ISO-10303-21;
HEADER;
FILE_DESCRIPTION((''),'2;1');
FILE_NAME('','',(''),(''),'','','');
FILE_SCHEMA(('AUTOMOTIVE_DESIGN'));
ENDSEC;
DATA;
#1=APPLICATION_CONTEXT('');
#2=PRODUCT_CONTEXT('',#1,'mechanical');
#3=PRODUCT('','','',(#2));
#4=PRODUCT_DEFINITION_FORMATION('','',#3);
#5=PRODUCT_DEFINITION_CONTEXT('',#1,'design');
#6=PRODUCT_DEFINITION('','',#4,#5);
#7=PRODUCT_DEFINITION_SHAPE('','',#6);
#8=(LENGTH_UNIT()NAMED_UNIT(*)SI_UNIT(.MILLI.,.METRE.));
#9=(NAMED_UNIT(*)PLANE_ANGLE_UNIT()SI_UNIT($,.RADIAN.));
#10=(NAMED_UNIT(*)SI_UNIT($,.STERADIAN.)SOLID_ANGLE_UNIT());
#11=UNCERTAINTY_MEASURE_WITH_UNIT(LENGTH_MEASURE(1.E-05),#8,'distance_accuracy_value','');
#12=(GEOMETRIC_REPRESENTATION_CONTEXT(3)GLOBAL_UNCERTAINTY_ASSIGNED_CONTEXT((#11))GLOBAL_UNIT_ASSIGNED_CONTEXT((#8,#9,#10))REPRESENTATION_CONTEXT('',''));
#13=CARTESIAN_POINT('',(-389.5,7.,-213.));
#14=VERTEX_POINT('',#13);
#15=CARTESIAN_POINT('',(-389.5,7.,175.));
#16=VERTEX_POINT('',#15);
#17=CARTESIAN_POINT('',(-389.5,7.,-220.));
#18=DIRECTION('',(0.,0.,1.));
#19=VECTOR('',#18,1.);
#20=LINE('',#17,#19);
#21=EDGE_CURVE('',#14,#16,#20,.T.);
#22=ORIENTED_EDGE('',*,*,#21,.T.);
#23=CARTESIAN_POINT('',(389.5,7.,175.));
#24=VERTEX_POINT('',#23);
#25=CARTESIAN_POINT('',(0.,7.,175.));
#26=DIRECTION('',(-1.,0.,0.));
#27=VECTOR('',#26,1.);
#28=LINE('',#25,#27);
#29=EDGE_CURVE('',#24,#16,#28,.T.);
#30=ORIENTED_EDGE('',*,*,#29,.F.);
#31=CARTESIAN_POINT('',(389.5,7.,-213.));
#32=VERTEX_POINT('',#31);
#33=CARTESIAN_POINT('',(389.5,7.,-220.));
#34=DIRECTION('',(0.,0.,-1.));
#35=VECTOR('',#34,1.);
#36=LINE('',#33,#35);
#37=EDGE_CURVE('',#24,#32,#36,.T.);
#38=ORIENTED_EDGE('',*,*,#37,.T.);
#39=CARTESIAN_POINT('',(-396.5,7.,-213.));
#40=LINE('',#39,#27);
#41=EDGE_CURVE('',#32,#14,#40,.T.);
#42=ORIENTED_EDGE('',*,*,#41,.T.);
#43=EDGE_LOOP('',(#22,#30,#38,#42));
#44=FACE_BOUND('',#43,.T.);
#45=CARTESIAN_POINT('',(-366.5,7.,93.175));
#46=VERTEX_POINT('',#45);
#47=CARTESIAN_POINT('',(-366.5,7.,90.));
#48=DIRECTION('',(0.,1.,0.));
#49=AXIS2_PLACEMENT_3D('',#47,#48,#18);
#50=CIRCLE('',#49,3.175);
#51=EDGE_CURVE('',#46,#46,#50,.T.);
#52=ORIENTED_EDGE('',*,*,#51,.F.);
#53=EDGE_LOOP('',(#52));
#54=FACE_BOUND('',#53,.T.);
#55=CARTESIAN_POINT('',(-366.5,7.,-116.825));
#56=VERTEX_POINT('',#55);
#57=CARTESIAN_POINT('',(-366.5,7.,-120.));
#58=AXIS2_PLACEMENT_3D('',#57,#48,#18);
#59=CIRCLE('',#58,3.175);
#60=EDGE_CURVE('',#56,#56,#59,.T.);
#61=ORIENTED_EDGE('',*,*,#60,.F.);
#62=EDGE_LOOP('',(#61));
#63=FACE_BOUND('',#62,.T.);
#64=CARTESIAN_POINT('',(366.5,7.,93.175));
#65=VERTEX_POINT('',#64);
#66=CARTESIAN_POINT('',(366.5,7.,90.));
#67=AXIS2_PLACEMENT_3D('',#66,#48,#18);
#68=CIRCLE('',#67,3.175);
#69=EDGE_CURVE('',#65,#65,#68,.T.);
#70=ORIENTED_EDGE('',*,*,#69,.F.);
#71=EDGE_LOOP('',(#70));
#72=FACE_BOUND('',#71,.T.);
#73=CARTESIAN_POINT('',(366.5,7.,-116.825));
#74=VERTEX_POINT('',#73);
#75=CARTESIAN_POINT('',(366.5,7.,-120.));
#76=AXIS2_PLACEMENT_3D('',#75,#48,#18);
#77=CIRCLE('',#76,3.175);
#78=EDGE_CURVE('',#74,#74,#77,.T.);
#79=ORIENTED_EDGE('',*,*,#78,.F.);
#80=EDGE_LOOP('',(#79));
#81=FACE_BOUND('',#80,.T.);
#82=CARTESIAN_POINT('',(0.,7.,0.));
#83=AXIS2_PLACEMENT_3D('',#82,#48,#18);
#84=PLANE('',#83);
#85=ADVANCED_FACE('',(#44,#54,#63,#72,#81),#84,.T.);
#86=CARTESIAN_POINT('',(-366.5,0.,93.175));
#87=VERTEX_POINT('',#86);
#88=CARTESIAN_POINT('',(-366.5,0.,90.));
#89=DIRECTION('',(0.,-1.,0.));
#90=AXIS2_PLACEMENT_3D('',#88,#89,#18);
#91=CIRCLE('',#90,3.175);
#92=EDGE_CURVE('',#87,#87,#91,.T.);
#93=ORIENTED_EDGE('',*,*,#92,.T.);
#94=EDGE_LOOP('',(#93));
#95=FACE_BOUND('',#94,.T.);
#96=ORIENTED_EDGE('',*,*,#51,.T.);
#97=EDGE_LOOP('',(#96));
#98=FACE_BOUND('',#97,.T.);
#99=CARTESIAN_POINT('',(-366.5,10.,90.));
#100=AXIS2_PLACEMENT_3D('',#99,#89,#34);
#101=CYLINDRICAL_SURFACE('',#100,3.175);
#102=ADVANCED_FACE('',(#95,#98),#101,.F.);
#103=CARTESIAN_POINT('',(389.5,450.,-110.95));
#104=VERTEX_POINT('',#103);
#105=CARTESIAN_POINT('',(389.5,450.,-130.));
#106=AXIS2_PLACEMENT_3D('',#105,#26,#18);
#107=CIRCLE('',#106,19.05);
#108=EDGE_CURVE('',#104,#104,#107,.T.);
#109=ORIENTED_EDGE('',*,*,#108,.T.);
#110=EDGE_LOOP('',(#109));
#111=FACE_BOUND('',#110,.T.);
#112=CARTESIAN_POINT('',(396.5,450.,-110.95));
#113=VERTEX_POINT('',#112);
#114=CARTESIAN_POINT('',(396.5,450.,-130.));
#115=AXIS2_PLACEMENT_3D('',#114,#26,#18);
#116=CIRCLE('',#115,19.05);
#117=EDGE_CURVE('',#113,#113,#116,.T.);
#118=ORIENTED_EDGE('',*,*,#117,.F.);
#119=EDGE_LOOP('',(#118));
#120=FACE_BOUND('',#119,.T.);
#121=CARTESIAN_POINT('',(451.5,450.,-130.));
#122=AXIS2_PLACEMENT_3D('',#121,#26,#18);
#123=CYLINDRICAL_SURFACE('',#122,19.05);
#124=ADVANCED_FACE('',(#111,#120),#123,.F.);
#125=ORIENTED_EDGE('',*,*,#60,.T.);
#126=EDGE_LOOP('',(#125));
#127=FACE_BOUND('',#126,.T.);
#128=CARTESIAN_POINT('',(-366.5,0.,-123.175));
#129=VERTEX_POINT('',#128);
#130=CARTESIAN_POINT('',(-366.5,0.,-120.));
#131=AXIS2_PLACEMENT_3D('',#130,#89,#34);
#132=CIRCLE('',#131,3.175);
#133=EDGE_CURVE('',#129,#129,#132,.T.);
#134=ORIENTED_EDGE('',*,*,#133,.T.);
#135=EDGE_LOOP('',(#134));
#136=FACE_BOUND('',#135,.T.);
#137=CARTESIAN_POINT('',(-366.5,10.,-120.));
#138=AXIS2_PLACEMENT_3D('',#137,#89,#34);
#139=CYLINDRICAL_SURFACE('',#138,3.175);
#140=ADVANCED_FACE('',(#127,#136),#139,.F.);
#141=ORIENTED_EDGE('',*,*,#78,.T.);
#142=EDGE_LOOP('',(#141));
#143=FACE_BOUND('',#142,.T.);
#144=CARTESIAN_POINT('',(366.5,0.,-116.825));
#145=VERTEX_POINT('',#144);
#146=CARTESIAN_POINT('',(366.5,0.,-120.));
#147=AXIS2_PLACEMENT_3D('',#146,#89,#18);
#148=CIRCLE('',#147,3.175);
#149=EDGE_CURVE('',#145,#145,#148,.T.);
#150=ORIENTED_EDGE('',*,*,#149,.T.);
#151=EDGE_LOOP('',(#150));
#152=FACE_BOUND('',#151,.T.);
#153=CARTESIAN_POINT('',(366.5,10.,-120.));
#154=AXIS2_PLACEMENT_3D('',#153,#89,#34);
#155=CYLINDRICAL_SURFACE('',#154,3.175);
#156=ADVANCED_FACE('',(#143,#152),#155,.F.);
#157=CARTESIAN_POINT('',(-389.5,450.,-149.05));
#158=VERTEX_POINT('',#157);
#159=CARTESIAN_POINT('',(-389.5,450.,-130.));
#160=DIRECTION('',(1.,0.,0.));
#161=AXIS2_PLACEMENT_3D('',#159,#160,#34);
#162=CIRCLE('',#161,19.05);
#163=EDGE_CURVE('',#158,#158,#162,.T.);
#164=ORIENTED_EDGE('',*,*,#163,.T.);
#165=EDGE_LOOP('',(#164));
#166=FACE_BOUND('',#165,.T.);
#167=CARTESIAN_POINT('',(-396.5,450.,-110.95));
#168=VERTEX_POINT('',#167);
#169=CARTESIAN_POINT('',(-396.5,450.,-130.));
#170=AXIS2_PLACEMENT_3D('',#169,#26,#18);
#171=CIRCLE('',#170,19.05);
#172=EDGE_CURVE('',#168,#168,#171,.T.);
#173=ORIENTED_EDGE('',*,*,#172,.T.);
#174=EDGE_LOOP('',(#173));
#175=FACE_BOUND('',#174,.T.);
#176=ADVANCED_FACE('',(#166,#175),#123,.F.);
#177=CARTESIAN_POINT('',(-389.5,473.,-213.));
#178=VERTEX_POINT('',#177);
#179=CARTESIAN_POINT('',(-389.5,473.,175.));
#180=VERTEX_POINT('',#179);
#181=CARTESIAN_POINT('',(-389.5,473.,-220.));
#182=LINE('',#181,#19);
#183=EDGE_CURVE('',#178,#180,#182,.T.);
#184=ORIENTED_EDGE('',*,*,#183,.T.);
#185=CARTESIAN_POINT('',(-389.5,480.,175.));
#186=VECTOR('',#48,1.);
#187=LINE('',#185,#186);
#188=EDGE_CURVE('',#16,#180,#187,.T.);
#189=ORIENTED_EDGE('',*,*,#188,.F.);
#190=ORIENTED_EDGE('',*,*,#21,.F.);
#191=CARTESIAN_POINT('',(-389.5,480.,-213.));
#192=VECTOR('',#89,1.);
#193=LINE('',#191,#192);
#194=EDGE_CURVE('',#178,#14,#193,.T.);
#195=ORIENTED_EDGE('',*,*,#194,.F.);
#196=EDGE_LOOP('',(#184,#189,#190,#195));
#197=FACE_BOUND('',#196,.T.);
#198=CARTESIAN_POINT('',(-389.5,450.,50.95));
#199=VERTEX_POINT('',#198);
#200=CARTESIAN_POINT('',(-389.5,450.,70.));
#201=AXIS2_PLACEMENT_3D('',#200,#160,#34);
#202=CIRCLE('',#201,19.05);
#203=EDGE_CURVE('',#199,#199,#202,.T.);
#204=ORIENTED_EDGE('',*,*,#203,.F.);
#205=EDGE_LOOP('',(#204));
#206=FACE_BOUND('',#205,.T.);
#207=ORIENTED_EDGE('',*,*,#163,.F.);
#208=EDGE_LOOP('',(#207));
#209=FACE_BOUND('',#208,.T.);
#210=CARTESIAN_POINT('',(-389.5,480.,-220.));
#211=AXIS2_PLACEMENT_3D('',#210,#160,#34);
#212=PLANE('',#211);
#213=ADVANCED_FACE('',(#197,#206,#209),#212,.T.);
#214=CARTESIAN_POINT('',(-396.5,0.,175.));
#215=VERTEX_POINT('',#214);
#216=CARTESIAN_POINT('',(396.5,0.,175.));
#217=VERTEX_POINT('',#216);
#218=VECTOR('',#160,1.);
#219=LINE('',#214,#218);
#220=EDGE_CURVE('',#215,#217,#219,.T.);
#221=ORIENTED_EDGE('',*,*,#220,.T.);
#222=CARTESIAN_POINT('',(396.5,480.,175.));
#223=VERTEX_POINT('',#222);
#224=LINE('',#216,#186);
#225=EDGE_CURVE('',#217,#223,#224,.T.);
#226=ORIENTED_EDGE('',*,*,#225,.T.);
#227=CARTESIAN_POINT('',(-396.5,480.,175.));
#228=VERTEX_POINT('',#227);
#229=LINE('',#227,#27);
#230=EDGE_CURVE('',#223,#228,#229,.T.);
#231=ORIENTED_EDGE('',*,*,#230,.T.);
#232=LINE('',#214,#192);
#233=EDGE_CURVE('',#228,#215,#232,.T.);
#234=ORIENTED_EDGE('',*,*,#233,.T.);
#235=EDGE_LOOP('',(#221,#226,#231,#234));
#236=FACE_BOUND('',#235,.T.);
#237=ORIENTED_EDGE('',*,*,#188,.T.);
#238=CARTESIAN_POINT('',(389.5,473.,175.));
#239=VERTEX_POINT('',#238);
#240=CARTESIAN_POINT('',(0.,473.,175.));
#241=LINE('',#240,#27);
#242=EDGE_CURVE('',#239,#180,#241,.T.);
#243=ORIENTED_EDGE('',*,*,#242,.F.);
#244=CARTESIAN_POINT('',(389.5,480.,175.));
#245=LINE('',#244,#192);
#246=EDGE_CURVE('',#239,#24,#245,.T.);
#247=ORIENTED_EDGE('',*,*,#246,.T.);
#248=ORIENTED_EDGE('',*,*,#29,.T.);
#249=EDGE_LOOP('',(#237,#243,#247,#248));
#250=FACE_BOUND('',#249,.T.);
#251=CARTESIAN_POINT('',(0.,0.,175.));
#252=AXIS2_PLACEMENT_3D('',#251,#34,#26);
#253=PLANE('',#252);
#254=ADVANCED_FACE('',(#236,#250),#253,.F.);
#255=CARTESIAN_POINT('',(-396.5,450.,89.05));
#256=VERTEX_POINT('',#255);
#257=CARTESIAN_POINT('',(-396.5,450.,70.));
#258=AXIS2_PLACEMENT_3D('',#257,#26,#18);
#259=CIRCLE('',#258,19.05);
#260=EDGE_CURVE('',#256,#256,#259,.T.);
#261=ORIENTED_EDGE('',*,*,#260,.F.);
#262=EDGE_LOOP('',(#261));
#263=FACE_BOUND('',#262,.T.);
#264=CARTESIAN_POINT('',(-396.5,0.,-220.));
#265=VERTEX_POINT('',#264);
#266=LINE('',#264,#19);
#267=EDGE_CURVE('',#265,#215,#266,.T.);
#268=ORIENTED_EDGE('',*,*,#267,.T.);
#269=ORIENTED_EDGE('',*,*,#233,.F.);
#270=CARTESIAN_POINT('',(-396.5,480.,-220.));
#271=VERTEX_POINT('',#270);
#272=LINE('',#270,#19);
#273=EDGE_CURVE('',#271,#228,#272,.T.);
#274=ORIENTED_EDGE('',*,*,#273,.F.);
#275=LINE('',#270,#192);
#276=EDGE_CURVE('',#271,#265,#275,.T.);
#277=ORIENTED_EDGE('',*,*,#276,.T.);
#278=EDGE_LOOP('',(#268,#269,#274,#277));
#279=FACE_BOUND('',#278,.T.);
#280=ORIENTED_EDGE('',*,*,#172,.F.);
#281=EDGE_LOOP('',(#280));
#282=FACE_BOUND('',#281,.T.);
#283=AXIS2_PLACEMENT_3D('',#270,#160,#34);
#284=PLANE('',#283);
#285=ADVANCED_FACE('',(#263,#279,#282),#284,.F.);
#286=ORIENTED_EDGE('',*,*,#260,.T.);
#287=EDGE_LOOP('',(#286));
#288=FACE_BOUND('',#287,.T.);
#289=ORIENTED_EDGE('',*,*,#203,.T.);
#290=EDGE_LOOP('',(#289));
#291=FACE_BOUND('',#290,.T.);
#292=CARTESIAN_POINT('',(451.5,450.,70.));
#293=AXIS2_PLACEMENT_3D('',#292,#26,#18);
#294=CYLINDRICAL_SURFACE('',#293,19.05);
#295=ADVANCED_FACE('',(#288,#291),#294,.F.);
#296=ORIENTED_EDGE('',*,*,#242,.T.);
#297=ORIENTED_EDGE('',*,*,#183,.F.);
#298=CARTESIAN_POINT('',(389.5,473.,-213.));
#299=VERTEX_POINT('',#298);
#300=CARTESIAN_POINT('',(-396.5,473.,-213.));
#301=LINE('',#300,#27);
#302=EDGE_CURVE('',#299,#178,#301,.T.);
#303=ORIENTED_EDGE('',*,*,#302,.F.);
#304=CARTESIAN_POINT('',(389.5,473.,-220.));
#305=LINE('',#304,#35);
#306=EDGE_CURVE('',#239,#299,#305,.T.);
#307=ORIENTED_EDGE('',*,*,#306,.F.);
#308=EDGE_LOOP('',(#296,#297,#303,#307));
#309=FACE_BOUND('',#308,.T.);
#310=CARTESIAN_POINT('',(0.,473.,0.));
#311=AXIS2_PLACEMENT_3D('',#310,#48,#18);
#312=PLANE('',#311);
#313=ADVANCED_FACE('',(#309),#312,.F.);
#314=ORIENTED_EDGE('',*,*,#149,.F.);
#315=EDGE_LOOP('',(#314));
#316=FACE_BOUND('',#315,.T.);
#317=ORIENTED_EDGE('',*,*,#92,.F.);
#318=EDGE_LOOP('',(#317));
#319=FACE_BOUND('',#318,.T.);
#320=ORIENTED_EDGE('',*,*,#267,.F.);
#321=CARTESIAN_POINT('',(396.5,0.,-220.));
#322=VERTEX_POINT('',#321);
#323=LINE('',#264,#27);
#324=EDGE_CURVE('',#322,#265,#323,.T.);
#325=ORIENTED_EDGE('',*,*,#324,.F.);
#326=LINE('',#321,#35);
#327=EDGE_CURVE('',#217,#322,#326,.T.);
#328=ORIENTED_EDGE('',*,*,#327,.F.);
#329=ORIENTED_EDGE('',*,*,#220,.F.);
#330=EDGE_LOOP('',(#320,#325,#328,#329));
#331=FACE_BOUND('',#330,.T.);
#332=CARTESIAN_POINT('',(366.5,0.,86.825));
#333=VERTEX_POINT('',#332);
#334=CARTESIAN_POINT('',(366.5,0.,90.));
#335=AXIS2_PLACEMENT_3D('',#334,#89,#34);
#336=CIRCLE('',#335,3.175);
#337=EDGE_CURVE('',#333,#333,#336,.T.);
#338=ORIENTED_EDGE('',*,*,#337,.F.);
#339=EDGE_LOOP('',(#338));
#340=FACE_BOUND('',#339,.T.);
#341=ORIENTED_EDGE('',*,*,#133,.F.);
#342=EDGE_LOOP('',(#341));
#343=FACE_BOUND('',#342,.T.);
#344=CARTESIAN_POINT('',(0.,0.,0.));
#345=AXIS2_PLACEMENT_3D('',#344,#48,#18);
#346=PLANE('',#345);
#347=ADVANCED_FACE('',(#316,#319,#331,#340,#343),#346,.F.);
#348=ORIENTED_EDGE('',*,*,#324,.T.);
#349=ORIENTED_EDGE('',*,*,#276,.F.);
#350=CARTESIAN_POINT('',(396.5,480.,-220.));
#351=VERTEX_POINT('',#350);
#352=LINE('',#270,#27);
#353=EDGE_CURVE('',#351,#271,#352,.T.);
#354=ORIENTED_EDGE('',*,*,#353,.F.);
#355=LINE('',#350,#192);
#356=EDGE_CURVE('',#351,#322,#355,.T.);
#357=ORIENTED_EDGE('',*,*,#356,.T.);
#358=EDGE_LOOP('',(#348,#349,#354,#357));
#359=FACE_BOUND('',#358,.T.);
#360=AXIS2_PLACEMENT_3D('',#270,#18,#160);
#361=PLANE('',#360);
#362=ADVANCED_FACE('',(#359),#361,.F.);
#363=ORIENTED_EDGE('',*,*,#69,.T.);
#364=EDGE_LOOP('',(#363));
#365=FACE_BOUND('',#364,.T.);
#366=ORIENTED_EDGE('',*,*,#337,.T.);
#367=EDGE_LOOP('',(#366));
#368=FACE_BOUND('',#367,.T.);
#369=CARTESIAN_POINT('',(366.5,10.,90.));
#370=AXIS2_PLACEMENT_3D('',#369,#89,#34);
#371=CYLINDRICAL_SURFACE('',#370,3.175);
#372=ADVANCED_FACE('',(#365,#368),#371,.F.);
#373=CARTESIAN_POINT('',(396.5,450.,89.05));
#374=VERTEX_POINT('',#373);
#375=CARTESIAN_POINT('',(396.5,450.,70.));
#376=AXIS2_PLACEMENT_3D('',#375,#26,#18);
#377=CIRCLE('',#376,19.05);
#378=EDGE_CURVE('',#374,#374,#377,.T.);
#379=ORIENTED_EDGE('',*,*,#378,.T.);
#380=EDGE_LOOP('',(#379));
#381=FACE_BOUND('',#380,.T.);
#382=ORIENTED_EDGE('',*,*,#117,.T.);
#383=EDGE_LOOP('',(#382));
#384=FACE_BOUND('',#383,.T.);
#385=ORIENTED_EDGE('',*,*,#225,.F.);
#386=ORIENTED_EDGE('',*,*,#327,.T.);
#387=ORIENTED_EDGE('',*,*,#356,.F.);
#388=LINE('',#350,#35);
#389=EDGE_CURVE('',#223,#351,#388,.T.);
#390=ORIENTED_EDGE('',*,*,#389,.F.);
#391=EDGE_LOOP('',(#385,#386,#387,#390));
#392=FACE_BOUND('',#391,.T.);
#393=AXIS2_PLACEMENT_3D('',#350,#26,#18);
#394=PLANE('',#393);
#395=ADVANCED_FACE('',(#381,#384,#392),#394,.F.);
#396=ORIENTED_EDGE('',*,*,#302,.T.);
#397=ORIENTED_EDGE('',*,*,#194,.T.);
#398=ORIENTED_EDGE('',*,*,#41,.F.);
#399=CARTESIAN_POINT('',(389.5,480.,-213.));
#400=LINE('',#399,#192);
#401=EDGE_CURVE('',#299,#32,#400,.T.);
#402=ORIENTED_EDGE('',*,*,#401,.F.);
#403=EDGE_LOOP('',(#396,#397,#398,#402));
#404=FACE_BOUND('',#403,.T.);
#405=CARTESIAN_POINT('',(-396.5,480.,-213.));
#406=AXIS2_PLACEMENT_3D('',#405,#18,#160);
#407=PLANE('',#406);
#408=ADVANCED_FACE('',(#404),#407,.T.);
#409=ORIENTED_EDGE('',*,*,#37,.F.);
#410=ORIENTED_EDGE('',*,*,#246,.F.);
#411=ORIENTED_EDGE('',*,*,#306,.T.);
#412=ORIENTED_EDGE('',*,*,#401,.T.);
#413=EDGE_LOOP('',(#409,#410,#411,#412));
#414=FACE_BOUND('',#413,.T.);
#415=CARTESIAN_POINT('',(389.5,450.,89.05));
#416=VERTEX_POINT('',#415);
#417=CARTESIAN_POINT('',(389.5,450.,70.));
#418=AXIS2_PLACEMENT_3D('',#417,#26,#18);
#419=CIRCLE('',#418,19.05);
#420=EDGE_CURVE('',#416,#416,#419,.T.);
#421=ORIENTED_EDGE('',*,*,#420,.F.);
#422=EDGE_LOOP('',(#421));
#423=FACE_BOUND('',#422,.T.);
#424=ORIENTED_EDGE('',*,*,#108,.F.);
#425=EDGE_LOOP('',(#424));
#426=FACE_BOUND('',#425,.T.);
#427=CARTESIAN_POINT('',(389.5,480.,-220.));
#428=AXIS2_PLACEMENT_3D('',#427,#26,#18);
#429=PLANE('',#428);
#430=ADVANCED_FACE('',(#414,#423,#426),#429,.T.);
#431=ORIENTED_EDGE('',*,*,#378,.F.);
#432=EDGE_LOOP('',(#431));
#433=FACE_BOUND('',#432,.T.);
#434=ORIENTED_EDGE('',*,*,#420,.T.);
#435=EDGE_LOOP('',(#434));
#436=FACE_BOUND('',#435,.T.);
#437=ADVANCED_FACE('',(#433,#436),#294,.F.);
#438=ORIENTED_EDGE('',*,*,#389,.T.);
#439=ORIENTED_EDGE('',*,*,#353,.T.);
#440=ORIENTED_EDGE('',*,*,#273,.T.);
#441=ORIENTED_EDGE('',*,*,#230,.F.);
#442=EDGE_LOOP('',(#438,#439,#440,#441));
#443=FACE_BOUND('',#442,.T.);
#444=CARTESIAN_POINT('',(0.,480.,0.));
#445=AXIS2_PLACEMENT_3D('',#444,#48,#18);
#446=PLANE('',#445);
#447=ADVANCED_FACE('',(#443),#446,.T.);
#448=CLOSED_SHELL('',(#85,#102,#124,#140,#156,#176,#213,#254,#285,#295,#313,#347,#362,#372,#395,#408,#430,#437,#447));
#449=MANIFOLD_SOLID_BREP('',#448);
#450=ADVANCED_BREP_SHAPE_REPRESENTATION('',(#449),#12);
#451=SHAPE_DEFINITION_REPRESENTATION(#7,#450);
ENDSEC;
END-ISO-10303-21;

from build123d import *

# Parameters (mm, degrees)
CROQUIS1_W              = 793
CROQUIS1_H              = 440
SALIENTE_EXTRUIR1_DEPTH = 480
VACIADO1_T              = -7
CROQUIS2_R              = 12.7
CORTAR_EXTRUIR1_DEPTH   = 80
CROQUIS3_R              = 6.35
CORTAR_EXTRUIR2_DEPTH   = 10
CROQUIS5_R              = 6.35
CORTAR_EXTRUIR4_DEPTH   = 10
CROQUIS6_R              = 19.05
CORTAR_EXTRUIR5_DEPTH   = 848
CROQUIS8_R              = 12.7
CORTAR_EXTRUIR6_DEPTH   = 10
CROQUIS9_W              = 35.052267511
CROQUIS9_H              = 245.374735938
SALIENTE_EXTRUIR2_DEPTH = 7
CROQUIS15_R             = 3.175
CORTAR_EXTRUIR10_DEPTH  = 10
CROQUIS18_R             = 3.175
CROQUIS18_R_2           = 5.554937391
CORTAR_EXTRUIR12_DEPTH  = 10
CROQUIS19_W             = 793
CROQUIS19_H             = 480
CORTAR_EXTRUIR13_DEPTH  = 45
CROQUIS20_W             = 40.222844752
CROQUIS20_H             = 335.190372933
SALIENTE_EXTRUIR3_DEPTH = 7
CROQUIS22_W             = 754.715939893
CROQUIS22_H             = 447.32434432
SALIENTE_EXTRUIR4_DEPTH = 7


with BuildPart() as part:
    # Croquis1 → Saliente-Extruir1 (new body)
    with BuildSketch(Plane(origin=(0, 0, 0), x_dir=(1, 0, 0), z_dir=(0, 1, 0))):
        Rectangle(CROQUIS1_W, CROQUIS1_H)
    extrude(amount=SALIENTE_EXTRUIR1_DEPTH)

    # Vaciado1
    vaciado1_openings = [part.faces().sort_by_distance(p)[0] for p in [
        (0, 240, 220),
    ]]
    offset(amount=VACIADO1_T, openings=vaciado1_openings, kind=Kind.INTERSECTION)

    # Croquis2 → Cortar-Extruir1 (cut)
    with BuildSketch(Plane.XZ):
        with Locations(Location((-340.681431581, 41.288678468, 0), (0, 0, 270))):
            Circle(CROQUIS2_R)
    cortar_extruir1 = extrude(amount=-CORTAR_EXTRUIR1_DEPTH, mode=Mode.SUBTRACT)

    # Croquis3 → Cortar-Extruir2 (cut)
    with BuildSketch(Plane.XZ):
        with Locations(Location((-340.681431581, 81.288678468, 0), (0, 0, 270))):
            Circle(CROQUIS3_R)
    cortar_extruir2 = extrude(amount=-CORTAR_EXTRUIR2_DEPTH, mode=Mode.SUBTRACT)

    # Croquis5 → Cortar-Extruir4 (cut)
    with BuildSketch(Plane.XZ):
        with Locations(Location((-340.681431581, 121.288678468, 0), (0, 0, 270))):
            Circle(CROQUIS5_R)
    cortar_extruir4 = extrude(amount=-CORTAR_EXTRUIR4_DEPTH, mode=Mode.SUBTRACT)

    # Croquis6 → Cortar-Extruir5 (cut)
    with BuildSketch(Plane.ZY.offset(396.5)):
        with Locations((-130, 450)):
            Circle(CROQUIS6_R)
        with Locations((70, 450)):
            Circle(CROQUIS6_R)
    extrude(amount=-CORTAR_EXTRUIR5_DEPTH, mode=Mode.SUBTRACT)

    # Simetría1: Cortar-Extruir1, Cortar-Extruir2, Cortar-Extruir4 across plane
    add(cortar_extruir1.mirror(Plane(origin=(0, 0, 0), x_dir=(0, 0, 1), z_dir=(1, 0, 0))), mode=Mode.SUBTRACT)
    add(cortar_extruir2.mirror(Plane(origin=(0, 0, 0), x_dir=(0, 0, 1), z_dir=(1, 0, 0))), mode=Mode.SUBTRACT)
    add(cortar_extruir4.mirror(Plane(origin=(0, 0, 0), x_dir=(0, 0, 1), z_dir=(1, 0, 0))), mode=Mode.SUBTRACT)

    # Croquis8 → Cortar-Extruir6 (cut)
    with BuildSketch(Plane.XZ):
        with Locations(Location((340.681431581, -121.411321532, 0), (0, 0, 270))):
            Circle(CROQUIS8_R)
    extrude(amount=-CORTAR_EXTRUIR6_DEPTH, mode=Mode.SUBTRACT)

    # Croquis9 → Saliente-Extruir2 (add)
    with BuildSketch(Plane(origin=(0, 7, 0), x_dir=(1, 0, 0), z_dir=(0, 1, 0))):
        with Locations((-340.681431581, -81.288678468)):
            Rectangle(CROQUIS9_W, CROQUIS9_H)
    extrude(amount=-SALIENTE_EXTRUIR2_DEPTH)

    # Croquis15 → Cortar-Extruir10 (cut)
    with BuildSketch(Plane.XZ):
        with Locations(Location((-366.5, -120, 0), (0, 0, 270))):
            Circle(CROQUIS15_R)
        with Locations(Location((-366.5, 90, 0), (0, 0, 90))):
            Circle(CROQUIS15_R)
        with Locations(Location((366.5, -120, 0), (0, 0, 90))):
            Circle(CROQUIS15_R)
        with Locations(Location((366.5, 90, 0), (0, 0, 270))):
            Circle(CROQUIS15_R)
    extrude(amount=-CORTAR_EXTRUIR10_DEPTH, mode=Mode.SUBTRACT)

    # Croquis18 → Cortar-Extruir12 (cut)
    with BuildSketch(Plane.XY.offset(-213)):
        with Locations((-348, 438)):
            Circle(CROQUIS18_R)
        with Locations((0, 438)):
            Circle(CROQUIS18_R)
        with Locations((348, 438)):
            Circle(CROQUIS18_R)
        with Locations((348, 240)):
            Circle(CROQUIS18_R)
        with Locations((348, 42)):
            Circle(CROQUIS18_R)
        with Locations((0, 42)):
            Circle(CROQUIS18_R)
        with Locations((-348, 42)):
            Circle(CROQUIS18_R)
        with Locations((-348, 240)):
            Circle(CROQUIS18_R_2)
    extrude(amount=-CORTAR_EXTRUIR12_DEPTH, mode=Mode.SUBTRACT)

    # Croquis19 → Cortar-Extruir13 (cut)
    with BuildSketch(Plane.XY.offset(220)):
        with Locations((0, 240)):
            Rectangle(CROQUIS19_W, CROQUIS19_H)
    extrude(amount=-CORTAR_EXTRUIR13_DEPTH, mode=Mode.SUBTRACT)

    # Croquis20 → Saliente-Extruir3 (add)
    with BuildSketch(Plane.XZ):
        with Locations((336.531134424, -29.98561058)):
            Rectangle(CROQUIS20_W, CROQUIS20_H)
    extrude(amount=-SALIENTE_EXTRUIR3_DEPTH)

    # Croquis22 → Saliente-Extruir4 (add)
    with BuildSketch(Plane(origin=(0, 0, -220), x_dir=(-1, 0, 0), z_dir=(0, 0, -1))):
        with Locations((2.077532213, 243.10690677)):
            Rectangle(CROQUIS22_W, CROQUIS22_H)
    extrude(amount=-SALIENTE_EXTRUIR4_DEPTH)


solid = part.part
